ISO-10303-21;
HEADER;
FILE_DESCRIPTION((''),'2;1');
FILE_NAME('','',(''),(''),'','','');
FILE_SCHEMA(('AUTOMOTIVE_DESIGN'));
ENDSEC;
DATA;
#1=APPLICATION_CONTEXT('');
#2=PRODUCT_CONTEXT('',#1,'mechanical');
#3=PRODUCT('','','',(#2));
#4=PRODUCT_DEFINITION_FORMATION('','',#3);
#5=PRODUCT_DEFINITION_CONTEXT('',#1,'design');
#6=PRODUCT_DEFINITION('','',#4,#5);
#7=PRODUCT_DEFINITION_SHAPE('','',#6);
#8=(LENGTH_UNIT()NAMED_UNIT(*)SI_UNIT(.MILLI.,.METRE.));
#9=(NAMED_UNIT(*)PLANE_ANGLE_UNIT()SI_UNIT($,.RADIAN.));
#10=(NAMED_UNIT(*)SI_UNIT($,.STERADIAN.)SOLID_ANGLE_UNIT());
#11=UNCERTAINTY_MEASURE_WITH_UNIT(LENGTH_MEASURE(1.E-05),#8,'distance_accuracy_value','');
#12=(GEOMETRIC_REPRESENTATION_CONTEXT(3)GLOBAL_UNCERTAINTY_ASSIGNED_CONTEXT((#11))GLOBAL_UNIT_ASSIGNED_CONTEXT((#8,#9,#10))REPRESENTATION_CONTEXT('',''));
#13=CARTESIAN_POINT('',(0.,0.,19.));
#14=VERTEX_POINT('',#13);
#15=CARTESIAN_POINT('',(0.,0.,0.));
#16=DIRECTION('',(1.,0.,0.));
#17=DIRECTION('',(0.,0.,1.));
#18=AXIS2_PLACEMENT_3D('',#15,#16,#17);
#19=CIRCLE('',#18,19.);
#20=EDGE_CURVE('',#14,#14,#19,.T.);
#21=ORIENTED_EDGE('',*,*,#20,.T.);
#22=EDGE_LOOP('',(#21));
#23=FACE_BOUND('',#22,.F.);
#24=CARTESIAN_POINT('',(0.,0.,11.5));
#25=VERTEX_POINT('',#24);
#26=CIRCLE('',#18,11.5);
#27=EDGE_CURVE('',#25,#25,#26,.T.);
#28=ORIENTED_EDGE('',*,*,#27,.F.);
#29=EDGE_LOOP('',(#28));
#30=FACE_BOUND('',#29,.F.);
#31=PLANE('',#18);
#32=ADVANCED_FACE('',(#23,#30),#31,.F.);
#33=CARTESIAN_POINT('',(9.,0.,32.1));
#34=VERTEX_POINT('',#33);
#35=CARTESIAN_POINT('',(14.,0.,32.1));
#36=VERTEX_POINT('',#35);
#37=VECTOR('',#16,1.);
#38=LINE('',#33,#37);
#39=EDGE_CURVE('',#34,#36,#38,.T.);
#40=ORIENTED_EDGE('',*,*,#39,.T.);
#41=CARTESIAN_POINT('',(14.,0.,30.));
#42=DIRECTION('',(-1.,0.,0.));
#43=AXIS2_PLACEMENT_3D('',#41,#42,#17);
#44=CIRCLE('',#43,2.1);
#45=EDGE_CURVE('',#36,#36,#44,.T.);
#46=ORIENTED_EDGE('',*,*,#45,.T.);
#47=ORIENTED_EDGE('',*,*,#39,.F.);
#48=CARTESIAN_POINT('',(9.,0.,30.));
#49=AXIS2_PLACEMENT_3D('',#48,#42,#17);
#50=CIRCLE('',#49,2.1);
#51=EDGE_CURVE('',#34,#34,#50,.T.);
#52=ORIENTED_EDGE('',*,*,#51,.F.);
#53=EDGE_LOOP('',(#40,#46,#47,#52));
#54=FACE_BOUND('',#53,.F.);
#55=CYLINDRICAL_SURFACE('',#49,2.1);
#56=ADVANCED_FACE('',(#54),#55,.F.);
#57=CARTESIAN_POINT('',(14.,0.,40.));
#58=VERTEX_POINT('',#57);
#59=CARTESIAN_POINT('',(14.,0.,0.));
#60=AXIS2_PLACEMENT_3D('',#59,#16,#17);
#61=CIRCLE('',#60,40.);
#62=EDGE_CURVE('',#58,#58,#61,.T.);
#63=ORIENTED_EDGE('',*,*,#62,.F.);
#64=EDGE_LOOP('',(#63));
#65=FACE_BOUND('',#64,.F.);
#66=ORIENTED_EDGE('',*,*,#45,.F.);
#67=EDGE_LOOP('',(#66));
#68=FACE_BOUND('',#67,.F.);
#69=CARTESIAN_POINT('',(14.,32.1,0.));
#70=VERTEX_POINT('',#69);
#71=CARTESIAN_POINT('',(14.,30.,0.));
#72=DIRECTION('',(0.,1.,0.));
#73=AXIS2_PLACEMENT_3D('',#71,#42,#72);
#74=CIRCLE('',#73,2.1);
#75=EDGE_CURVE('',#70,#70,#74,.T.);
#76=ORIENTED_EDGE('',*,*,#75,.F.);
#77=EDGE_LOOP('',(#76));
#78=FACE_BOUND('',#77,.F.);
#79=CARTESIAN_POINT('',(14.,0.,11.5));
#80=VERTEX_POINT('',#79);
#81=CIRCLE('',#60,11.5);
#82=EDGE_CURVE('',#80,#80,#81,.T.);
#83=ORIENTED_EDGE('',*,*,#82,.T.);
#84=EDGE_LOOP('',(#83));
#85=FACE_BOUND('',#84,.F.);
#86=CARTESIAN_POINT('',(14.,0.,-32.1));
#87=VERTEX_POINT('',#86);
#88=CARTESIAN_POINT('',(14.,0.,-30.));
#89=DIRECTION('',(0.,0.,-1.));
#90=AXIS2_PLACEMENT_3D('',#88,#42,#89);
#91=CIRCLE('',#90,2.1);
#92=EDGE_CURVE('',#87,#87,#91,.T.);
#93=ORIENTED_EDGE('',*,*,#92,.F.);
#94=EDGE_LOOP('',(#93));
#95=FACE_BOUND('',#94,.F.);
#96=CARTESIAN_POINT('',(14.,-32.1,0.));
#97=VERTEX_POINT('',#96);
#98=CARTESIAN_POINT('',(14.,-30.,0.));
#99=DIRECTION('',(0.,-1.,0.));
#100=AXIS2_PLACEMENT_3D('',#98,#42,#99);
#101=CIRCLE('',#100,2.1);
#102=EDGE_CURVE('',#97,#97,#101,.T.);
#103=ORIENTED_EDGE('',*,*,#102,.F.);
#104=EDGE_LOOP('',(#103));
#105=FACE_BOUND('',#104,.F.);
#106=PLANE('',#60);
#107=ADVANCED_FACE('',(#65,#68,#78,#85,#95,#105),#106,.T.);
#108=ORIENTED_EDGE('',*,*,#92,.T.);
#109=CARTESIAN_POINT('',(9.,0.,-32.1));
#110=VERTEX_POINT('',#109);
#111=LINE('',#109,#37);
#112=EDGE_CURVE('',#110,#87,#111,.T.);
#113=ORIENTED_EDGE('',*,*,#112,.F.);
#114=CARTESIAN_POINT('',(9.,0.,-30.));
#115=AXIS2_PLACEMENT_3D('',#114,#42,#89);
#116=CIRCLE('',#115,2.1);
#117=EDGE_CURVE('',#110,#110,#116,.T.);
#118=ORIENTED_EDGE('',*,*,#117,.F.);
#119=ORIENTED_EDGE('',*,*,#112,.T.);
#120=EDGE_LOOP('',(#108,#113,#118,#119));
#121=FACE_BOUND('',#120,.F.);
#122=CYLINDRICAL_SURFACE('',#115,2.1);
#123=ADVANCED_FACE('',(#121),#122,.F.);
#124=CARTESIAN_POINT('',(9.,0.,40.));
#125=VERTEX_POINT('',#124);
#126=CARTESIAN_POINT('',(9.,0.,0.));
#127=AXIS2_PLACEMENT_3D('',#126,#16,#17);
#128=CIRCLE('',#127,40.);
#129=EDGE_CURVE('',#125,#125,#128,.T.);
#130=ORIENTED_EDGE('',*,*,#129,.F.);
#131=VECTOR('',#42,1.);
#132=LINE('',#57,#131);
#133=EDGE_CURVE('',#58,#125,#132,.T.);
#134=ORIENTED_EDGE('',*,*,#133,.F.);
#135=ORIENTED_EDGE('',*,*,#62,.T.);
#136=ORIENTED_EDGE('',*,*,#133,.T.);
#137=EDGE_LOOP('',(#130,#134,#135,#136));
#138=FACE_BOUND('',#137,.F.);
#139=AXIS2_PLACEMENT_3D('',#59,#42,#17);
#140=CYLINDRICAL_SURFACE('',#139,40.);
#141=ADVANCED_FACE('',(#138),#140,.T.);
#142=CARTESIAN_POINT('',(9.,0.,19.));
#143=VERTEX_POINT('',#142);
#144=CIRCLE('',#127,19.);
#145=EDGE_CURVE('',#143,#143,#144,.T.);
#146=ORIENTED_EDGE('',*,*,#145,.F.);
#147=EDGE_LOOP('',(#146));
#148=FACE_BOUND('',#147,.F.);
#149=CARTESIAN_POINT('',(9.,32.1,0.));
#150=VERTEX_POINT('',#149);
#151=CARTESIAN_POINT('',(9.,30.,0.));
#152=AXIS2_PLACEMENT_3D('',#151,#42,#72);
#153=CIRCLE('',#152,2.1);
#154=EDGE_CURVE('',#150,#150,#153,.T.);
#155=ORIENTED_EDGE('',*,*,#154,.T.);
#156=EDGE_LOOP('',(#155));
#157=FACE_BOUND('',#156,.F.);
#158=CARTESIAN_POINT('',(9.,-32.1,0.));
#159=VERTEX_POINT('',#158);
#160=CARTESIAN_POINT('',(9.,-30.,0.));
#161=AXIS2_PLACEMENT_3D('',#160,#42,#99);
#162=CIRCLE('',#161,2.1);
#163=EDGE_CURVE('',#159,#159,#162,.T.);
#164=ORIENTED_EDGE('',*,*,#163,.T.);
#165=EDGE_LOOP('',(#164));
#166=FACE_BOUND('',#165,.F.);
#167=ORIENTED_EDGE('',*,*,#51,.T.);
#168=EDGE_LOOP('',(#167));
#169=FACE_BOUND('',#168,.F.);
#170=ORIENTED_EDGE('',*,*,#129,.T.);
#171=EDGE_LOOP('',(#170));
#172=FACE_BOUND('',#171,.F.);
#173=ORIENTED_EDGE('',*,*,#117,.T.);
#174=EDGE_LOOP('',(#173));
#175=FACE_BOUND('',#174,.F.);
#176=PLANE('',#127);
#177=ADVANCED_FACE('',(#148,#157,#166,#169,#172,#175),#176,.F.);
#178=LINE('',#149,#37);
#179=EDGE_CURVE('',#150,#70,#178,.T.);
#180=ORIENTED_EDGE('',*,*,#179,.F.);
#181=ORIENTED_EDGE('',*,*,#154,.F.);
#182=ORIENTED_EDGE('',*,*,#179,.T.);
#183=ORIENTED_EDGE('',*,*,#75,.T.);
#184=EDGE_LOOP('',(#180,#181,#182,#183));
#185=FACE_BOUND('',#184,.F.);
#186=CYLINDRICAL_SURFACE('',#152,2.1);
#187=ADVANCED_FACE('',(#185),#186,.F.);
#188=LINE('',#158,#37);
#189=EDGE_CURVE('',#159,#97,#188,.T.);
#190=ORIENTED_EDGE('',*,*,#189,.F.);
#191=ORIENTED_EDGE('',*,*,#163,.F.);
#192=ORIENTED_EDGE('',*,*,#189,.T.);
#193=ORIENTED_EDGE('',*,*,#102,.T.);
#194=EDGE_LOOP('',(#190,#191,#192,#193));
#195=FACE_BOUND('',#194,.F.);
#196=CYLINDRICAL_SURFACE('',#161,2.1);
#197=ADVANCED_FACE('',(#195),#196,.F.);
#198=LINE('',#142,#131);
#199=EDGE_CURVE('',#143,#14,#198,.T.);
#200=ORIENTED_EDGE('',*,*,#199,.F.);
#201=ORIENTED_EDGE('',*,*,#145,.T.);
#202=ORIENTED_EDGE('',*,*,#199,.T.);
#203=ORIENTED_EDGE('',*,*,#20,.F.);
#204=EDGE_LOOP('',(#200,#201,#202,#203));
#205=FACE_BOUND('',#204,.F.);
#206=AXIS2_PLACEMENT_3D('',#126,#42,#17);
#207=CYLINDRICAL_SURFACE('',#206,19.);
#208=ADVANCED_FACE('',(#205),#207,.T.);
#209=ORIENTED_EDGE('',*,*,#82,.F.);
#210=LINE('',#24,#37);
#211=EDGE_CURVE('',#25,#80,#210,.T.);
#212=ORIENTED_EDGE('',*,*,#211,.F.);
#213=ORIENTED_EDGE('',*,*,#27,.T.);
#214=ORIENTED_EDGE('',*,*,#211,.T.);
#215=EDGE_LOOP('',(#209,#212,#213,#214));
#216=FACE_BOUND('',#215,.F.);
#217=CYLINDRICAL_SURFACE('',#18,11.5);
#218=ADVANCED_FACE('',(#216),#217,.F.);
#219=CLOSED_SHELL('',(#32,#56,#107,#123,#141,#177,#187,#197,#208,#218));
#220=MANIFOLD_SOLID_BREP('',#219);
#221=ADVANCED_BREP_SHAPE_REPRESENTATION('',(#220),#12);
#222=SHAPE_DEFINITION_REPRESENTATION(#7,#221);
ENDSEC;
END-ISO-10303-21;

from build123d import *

# Parameters (mm, degrees)
SKETCH001_R        = 2.1
HOLE_DEPTH         = 233.001
POLARPATTERN_COUNT = 4


with BuildPart() as part:
    # Sketch → Revolution (revolve)
    with BuildSketch(Plane.XZ):
        Polygon((0, 11.5), (14, 11.5), (14, 40), (9, 40), (9, 19), (0, 19), align=None)
    revolve(axis=Axis((0, 0, 0), (1, 0, 0)))

    # Sketch001 (on Face4 of Revolution) → Hole (cut, through all)
    with BuildSketch(Plane(origin=(9, 0, 0), x_dir=(0, 0, -1), z_dir=(-1, 0, 0))):
        with Locations((30, 0)):
            Circle(SKETCH001_R)
    hole = extrude(amount=-HOLE_DEPTH, mode=Mode.SUBTRACT)

    # PolarPattern: Hole ×4 about axis
    polarpattern_axis = Axis((9, 0, 0), (-1, 0, 0))
    for i in range(1, POLARPATTERN_COUNT):
        add(hole.rotate(polarpattern_axis, i * 360 / POLARPATTERN_COUNT), mode=Mode.SUBTRACT)


solid = part.part
